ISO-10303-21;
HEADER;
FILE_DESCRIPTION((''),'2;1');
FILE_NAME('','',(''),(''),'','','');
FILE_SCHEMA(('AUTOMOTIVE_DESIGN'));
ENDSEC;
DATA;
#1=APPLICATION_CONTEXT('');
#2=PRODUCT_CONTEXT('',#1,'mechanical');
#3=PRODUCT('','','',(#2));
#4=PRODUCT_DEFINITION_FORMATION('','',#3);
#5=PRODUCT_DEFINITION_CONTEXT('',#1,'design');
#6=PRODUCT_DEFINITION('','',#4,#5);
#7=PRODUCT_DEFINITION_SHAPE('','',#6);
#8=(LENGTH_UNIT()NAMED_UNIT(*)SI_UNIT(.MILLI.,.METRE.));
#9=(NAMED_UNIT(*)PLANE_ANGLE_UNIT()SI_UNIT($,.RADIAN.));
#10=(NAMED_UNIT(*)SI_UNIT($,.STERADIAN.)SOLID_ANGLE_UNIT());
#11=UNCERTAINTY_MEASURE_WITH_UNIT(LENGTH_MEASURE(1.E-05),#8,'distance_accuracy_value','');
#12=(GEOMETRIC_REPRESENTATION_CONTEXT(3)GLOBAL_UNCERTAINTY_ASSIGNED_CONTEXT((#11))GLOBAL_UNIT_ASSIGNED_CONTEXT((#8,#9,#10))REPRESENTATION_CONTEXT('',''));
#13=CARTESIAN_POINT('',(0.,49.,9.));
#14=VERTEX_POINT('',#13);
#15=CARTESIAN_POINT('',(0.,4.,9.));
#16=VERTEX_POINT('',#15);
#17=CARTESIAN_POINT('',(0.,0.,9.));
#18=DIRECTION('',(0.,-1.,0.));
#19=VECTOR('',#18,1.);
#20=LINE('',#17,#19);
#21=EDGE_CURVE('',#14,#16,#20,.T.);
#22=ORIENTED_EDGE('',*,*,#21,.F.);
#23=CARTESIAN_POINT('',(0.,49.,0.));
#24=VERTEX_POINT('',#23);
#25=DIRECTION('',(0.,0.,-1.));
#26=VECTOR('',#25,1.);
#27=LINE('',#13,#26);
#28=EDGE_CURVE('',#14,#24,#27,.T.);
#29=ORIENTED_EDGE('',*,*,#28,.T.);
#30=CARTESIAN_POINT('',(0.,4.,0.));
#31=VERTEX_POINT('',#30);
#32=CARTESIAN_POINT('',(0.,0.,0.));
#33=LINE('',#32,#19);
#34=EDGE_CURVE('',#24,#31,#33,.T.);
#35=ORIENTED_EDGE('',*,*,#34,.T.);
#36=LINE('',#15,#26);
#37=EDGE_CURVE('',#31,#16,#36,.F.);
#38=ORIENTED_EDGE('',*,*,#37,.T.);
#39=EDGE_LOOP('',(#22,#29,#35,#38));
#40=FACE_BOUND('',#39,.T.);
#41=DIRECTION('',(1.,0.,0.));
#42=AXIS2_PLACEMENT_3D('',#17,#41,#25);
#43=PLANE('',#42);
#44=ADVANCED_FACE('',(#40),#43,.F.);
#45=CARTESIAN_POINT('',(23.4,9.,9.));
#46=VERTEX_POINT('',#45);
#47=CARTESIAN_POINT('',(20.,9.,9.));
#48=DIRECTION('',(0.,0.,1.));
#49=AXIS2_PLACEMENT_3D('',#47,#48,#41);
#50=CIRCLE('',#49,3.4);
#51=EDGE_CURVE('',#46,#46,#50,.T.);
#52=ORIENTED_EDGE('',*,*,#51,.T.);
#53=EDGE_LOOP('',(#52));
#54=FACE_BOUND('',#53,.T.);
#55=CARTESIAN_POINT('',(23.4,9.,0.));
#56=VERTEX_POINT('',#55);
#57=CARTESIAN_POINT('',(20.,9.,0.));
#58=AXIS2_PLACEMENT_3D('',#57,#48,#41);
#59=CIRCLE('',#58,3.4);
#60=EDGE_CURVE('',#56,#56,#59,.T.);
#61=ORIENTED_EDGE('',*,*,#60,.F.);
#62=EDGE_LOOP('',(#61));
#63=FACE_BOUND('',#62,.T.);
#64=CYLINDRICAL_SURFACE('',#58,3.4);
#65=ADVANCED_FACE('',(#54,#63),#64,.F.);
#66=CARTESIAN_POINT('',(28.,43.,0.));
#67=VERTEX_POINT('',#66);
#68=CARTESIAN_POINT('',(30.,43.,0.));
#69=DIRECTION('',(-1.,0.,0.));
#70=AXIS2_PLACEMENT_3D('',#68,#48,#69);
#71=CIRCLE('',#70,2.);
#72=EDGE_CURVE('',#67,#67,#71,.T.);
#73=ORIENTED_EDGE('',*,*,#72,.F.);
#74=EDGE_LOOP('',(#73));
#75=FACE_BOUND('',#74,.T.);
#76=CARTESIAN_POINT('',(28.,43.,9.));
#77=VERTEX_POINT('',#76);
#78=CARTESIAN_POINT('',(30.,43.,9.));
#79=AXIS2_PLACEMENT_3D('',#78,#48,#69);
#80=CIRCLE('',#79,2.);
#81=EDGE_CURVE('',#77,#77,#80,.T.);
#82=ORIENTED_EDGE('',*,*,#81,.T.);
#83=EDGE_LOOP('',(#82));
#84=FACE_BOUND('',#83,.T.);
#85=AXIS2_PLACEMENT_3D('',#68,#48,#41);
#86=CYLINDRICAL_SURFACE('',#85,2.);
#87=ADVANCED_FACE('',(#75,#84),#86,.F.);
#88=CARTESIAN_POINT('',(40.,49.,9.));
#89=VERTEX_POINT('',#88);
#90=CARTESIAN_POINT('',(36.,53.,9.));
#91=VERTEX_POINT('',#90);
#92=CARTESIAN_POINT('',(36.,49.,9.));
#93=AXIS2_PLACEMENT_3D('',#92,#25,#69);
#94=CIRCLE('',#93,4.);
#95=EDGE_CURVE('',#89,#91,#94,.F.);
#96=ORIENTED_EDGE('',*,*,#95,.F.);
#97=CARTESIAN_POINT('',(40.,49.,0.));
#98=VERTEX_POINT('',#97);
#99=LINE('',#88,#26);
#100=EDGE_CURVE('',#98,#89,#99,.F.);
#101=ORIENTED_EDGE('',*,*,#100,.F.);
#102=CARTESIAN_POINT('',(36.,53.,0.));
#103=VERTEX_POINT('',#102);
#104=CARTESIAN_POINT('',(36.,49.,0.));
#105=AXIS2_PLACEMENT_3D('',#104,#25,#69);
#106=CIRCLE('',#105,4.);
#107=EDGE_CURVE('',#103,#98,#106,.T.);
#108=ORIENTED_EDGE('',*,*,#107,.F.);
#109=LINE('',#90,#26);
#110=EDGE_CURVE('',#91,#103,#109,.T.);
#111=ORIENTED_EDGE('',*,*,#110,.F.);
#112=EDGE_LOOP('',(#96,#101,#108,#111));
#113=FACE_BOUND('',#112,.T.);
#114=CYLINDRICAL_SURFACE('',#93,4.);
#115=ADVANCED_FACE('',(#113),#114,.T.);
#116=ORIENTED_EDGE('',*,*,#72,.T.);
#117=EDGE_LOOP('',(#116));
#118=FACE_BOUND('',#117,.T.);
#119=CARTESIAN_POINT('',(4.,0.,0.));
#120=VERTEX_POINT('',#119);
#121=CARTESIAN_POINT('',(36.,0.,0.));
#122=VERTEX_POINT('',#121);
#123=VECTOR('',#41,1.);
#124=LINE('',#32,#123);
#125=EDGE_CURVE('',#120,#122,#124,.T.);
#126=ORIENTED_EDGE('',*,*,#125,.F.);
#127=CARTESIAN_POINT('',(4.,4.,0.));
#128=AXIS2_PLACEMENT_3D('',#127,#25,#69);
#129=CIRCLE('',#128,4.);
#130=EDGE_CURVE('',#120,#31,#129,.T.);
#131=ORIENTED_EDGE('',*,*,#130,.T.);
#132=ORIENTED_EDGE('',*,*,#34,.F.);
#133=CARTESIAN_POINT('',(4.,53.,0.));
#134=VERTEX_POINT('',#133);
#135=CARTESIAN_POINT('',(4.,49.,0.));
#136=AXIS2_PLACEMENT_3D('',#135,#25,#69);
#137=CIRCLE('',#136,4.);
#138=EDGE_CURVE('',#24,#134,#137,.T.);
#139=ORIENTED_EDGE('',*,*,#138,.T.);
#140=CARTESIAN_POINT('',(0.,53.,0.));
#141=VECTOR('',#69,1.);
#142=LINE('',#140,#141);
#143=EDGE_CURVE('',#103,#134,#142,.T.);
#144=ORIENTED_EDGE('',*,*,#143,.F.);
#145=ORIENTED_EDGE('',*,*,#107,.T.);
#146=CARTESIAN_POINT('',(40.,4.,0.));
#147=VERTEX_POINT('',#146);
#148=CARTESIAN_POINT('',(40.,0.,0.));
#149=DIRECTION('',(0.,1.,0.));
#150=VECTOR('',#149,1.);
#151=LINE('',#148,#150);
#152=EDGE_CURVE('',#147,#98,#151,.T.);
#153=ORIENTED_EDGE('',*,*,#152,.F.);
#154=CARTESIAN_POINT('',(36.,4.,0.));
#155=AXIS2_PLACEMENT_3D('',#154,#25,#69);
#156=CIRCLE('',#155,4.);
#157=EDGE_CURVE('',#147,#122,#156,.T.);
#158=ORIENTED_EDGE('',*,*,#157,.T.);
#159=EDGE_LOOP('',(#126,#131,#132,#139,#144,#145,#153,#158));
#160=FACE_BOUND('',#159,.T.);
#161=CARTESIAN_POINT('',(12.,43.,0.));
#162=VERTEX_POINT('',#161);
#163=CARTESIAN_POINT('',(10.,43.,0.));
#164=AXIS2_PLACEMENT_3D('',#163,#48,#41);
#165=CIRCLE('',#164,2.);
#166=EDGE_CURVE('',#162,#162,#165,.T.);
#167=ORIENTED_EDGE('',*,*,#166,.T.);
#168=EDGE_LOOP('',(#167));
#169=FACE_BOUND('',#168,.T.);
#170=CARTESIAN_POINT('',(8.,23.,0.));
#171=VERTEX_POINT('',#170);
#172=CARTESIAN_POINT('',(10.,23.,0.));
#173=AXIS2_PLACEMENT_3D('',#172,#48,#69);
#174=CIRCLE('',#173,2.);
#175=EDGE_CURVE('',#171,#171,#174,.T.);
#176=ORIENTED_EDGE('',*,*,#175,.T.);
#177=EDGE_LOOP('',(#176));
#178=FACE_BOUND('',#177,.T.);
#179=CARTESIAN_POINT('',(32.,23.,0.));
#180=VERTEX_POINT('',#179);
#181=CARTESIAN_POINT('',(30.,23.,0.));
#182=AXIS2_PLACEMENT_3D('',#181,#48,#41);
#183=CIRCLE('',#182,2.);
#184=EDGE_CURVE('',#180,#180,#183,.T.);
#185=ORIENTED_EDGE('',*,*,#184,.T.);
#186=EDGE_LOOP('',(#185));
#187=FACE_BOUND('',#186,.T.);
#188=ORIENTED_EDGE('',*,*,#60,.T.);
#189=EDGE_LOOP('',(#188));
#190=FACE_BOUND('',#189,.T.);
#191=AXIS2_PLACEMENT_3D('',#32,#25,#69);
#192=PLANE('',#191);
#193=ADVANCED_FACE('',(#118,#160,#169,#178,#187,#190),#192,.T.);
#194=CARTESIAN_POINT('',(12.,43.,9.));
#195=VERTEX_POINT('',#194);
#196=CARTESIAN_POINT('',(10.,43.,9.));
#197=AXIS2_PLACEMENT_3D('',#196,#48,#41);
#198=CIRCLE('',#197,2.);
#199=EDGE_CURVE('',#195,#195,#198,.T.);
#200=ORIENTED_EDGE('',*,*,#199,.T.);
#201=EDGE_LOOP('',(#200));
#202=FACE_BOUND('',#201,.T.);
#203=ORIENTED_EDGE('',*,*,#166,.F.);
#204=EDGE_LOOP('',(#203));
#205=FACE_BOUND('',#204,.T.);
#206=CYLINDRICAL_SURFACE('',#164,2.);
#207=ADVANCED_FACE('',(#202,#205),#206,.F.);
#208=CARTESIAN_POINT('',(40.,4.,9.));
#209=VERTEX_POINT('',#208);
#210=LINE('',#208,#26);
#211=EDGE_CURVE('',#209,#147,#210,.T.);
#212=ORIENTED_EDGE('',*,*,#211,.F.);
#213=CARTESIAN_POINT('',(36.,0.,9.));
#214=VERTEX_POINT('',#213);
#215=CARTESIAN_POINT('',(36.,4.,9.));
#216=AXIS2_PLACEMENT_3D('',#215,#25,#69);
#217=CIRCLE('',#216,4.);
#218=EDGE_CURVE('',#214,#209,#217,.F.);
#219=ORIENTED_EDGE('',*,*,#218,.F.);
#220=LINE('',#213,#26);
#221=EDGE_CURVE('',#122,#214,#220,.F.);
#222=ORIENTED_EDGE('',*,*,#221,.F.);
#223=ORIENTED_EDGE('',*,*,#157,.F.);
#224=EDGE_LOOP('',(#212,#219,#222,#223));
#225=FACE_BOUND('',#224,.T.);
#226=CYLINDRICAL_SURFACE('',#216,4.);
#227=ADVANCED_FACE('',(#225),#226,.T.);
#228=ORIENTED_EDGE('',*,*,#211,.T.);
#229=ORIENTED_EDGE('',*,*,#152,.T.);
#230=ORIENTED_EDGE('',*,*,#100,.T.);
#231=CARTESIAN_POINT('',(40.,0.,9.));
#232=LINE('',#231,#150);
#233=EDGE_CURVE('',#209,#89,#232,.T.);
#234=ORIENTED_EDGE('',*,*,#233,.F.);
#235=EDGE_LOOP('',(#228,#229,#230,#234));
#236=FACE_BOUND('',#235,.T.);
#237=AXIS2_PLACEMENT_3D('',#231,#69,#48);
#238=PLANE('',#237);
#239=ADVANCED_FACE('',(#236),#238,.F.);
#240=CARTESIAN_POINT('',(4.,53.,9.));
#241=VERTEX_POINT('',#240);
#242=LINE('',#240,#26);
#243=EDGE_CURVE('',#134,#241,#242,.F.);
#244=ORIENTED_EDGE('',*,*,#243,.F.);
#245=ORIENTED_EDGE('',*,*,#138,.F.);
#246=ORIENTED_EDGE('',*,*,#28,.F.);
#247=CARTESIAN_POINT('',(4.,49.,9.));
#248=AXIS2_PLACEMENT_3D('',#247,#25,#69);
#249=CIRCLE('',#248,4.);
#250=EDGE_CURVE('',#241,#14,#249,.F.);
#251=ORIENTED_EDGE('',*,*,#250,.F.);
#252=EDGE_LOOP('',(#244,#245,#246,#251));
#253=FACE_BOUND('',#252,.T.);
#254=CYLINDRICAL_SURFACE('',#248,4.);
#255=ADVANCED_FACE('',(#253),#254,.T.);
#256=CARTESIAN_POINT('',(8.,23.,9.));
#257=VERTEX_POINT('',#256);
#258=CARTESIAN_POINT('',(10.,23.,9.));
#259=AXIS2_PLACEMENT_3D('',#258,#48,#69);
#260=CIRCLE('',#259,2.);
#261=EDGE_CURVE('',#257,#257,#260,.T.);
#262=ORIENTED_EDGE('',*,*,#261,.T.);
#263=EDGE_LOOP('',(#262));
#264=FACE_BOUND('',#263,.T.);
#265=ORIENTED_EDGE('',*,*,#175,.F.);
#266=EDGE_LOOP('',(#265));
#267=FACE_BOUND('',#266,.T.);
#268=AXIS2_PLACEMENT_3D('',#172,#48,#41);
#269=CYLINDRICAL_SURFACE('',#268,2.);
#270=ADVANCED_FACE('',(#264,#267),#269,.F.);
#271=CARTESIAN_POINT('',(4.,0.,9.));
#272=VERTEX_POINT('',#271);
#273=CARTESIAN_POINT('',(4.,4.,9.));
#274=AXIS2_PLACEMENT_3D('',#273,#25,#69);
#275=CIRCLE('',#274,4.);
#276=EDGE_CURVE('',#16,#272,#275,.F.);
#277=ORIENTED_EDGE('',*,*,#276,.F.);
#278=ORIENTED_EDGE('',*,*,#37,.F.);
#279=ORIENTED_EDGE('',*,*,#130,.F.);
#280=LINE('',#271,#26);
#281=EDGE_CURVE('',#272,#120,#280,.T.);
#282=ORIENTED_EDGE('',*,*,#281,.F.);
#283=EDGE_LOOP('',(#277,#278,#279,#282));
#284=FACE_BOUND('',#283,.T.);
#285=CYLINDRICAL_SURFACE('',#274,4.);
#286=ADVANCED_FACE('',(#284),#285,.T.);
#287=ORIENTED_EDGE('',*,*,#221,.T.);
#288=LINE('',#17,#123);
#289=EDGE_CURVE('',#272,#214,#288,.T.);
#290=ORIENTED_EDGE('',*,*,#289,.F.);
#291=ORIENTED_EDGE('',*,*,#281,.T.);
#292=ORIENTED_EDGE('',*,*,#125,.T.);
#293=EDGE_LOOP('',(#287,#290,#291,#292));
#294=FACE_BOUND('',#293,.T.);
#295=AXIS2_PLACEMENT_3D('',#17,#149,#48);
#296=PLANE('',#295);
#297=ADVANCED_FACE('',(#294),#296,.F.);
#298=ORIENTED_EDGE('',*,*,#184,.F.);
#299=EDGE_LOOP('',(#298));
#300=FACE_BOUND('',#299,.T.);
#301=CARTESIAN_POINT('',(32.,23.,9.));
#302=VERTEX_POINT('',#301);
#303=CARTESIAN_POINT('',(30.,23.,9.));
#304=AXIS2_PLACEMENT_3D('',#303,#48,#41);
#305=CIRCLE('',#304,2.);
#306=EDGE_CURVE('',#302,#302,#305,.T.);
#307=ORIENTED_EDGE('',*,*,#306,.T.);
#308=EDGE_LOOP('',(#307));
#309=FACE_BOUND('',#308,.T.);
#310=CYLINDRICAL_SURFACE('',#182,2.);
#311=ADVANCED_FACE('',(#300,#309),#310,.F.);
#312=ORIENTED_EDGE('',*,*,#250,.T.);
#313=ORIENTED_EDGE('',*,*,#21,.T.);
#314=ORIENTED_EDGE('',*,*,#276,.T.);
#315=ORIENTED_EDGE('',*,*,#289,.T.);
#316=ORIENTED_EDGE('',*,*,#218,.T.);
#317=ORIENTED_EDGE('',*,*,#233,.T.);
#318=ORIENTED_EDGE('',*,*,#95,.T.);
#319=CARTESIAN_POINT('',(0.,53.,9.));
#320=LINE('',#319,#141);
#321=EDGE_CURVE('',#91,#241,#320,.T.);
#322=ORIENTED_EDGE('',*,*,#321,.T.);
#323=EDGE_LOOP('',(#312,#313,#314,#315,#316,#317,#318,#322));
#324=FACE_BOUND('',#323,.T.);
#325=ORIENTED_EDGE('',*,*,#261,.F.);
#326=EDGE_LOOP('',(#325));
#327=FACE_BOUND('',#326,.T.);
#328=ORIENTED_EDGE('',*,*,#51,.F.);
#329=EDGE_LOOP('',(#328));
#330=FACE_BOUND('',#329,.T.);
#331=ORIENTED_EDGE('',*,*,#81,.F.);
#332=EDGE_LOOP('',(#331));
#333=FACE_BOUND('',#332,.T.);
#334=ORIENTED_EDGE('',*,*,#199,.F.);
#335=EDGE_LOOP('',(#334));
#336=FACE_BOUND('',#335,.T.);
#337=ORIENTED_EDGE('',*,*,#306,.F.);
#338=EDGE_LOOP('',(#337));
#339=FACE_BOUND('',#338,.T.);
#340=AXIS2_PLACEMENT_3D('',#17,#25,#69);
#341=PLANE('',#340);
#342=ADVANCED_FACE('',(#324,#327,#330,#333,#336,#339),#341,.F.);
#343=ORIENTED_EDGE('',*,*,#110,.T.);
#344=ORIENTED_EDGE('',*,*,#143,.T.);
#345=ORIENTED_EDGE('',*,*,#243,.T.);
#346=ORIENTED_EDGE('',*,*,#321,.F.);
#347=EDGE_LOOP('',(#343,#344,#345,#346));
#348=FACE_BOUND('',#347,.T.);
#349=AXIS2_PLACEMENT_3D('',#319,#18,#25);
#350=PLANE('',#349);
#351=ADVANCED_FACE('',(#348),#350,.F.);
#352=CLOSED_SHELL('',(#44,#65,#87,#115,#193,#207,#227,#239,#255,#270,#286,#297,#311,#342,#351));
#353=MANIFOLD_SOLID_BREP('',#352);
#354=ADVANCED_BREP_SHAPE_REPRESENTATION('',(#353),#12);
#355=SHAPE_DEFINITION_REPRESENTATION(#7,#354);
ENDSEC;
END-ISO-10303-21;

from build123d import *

# Parameters (mm, degrees)
ESQUISSE1_W             = 40
ESQUISSE1_H             = 53
BOSS_EXTRU_1_DEPTH      = 9
ESQUISSE2_R             = 2
ESQUISSE2_R_2           = 3.4
ENL_V_MAT_EXTRU_1_DEPTH = 68.007462271
CONG_1_R                = 4


with BuildPart() as part:
    # Esquisse1 → Boss.-Extru.1 (new body)
    with BuildSketch(Plane.XY):
        with Locations((20, 26.5)):
            Rectangle(ESQUISSE1_W, ESQUISSE1_H)
    extrude(amount=BOSS_EXTRU_1_DEPTH)

    # Esquisse2 → Enlèv. mat.-Extru.1 (cut, through all)
    with BuildSketch(Plane.XY.offset(9)):
        with Locations((10, 43)):
            Circle(ESQUISSE2_R)
        with Locations(Location((30, 43, 0), (0, 0, 180))):
            Circle(ESQUISSE2_R)
        with Locations((30, 23)):
            Circle(ESQUISSE2_R)
        with Locations(Location((10, 23, 0), (0, 0, 180))):
            Circle(ESQUISSE2_R)
        with Locations((20, 9)):
            Circle(ESQUISSE2_R_2)
    extrude(amount=-ENL_V_MAT_EXTRU_1_DEPTH, mode=Mode.SUBTRACT)

    # Congé1
    cong_1_edges = [part.edges().sort_by_distance(p)[0] for p in [
        (0, 53, 4.5),
        (40, 53, 4.5),
        (40, 0, 4.5),
        (0, 0, 4.5),
    ]]
    fillet(cong_1_edges, radius=CONG_1_R)


solid = part.part
